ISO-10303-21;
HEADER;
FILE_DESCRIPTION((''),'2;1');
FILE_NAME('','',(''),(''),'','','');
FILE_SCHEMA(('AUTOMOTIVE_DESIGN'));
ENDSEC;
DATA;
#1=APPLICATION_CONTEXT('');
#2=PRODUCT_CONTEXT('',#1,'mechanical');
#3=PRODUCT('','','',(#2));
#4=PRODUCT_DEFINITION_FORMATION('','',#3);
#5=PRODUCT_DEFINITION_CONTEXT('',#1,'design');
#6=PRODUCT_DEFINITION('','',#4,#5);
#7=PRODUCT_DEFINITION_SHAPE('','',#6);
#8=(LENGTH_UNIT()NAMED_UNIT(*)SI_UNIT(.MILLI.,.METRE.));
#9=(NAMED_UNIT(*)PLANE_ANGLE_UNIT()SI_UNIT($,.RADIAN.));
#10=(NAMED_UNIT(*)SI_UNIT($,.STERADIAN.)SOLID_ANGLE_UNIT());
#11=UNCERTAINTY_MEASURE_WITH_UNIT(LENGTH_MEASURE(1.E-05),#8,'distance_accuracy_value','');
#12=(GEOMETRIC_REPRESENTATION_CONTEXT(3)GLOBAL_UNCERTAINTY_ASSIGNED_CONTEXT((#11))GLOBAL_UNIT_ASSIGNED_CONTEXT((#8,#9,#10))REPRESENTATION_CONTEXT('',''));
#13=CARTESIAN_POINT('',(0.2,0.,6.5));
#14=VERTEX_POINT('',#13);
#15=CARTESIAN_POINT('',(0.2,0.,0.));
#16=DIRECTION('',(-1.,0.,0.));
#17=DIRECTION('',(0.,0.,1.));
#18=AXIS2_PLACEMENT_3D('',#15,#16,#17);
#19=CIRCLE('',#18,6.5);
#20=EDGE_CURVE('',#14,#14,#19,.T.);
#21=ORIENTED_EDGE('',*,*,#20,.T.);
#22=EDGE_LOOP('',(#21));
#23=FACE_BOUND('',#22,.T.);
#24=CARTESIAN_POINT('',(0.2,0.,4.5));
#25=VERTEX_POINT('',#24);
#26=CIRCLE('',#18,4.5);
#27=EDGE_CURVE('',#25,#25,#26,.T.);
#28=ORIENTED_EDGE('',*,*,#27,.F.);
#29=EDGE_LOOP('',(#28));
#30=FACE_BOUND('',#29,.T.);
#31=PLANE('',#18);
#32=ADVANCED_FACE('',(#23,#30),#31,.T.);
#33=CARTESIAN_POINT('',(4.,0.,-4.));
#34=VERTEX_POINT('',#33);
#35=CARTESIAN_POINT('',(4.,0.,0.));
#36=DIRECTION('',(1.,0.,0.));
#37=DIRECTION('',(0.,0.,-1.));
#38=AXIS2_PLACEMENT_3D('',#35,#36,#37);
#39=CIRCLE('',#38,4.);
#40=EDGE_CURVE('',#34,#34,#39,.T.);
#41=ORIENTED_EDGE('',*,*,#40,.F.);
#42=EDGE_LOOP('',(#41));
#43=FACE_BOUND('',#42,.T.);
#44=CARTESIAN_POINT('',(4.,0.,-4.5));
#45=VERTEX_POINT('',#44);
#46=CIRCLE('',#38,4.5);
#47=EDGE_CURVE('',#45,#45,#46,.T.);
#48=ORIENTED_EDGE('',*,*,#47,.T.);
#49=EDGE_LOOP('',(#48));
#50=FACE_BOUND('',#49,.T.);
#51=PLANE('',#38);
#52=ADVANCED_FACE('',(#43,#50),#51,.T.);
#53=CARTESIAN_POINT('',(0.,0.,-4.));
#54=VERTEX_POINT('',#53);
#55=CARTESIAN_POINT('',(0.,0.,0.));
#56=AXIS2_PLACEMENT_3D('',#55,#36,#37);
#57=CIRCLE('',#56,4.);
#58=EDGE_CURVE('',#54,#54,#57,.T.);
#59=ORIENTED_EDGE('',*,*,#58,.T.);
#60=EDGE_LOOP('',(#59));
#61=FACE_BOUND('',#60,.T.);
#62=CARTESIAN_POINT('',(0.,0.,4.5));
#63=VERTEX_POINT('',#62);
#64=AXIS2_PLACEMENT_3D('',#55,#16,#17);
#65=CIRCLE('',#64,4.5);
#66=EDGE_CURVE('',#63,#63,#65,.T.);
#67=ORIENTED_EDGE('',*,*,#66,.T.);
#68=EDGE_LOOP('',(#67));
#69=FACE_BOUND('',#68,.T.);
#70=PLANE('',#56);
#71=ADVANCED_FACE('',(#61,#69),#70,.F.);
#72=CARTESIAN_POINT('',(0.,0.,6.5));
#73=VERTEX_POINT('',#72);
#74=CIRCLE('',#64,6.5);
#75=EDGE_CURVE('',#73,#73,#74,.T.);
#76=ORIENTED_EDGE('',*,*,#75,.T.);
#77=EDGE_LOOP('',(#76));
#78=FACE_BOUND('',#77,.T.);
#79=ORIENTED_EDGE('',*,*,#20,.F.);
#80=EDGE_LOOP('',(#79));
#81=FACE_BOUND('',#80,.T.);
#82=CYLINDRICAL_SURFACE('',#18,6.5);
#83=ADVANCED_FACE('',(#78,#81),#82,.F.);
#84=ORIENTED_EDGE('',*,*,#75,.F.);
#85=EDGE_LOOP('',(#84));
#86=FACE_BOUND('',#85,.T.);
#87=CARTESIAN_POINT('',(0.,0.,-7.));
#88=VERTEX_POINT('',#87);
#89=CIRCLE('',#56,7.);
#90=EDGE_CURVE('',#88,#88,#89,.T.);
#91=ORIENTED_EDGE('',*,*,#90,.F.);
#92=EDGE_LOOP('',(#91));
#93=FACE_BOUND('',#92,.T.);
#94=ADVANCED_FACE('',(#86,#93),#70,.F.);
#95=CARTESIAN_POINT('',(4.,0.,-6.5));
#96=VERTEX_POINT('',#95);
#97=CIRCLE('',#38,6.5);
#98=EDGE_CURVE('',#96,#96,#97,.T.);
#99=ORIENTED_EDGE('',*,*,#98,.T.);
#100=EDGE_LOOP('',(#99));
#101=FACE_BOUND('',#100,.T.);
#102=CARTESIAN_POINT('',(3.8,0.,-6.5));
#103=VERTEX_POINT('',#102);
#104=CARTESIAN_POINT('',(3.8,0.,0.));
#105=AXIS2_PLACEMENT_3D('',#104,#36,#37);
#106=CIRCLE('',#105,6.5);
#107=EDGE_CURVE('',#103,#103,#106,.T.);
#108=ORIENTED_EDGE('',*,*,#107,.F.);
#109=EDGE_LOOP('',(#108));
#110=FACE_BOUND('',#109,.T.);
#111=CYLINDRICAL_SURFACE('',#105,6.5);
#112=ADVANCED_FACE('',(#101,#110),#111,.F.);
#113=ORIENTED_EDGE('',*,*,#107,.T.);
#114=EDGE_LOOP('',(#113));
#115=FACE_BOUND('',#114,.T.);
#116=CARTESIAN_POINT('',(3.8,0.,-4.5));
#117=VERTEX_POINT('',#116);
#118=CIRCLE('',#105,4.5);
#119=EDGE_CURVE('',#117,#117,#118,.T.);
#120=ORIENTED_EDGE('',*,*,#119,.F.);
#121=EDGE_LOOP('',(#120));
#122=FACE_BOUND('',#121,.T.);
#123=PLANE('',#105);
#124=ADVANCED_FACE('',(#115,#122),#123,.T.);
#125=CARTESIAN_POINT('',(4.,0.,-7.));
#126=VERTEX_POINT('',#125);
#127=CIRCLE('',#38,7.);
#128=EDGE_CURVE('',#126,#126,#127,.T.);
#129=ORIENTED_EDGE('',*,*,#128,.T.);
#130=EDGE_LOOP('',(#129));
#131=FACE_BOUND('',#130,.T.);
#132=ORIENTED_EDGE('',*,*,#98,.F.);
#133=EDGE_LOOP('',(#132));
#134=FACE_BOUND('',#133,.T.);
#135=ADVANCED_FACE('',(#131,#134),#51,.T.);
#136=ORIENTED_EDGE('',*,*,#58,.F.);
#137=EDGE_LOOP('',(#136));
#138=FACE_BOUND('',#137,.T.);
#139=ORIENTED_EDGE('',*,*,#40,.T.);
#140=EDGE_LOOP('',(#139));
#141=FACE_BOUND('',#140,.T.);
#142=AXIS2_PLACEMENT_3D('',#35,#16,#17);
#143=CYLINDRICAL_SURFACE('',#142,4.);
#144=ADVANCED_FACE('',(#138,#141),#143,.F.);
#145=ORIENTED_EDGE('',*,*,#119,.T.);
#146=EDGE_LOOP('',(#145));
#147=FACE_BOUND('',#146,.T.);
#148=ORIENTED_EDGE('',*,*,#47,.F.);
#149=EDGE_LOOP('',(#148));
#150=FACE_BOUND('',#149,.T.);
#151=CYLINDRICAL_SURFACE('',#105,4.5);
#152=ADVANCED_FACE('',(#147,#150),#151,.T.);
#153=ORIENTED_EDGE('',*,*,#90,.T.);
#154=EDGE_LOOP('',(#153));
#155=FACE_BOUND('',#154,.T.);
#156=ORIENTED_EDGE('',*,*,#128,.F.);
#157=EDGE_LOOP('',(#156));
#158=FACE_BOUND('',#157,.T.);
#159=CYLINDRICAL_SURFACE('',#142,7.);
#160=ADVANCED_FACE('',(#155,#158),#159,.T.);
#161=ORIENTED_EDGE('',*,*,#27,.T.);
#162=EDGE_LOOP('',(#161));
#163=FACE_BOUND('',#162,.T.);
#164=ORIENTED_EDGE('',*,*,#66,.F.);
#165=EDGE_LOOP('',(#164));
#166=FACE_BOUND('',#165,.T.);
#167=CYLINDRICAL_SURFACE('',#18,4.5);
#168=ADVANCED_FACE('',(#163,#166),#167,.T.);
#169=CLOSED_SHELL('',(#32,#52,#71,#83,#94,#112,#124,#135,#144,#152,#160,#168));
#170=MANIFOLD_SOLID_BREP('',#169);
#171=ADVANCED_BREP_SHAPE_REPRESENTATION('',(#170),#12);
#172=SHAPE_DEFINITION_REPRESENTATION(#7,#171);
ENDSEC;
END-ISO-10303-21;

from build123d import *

# Parameters (mm, degrees)
SKETCH_1_R          = 7
SKETCH_1_R_2        = 4
EXTRUDE_1_DEPTH     = 4
SKETCH_2_R          = 6.5
SKETCH_2_R_2        = 4.5
CUT_EXTRUDE_1_DEPTH = 0.2
SKETCH_3_R          = 6.5
SKETCH_3_R_2        = 4.5
CUT_EXTRUDE_2_DEPTH = 0.2


with BuildPart() as part:
    # 草图1 → 凸台-拉伸1 (new body)
    with BuildSketch(Plane(origin=(0, 0, 0), x_dir=(0, 0, -1), z_dir=(1, 0, 0))):
        Circle(SKETCH_1_R)
        Circle(SKETCH_1_R_2, mode=Mode.SUBTRACT)
    extrude(amount=EXTRUDE_1_DEPTH)

    # 草图2 → 切除-拉伸1 (cut)
    with BuildSketch(Plane(origin=(4, 0, 0), x_dir=(0, 0, -1), z_dir=(1, 0, 0))):
        Circle(SKETCH_2_R)
        Circle(SKETCH_2_R_2, mode=Mode.SUBTRACT)
    extrude(amount=-CUT_EXTRUDE_1_DEPTH, mode=Mode.SUBTRACT)

    # 草图3 → 切除-拉伸2 (cut)
    with BuildSketch(Plane.ZY):
        Circle(SKETCH_3_R)
        Circle(SKETCH_3_R_2, mode=Mode.SUBTRACT)
    extrude(amount=-CUT_EXTRUDE_2_DEPTH, mode=Mode.SUBTRACT)


solid = part.part
